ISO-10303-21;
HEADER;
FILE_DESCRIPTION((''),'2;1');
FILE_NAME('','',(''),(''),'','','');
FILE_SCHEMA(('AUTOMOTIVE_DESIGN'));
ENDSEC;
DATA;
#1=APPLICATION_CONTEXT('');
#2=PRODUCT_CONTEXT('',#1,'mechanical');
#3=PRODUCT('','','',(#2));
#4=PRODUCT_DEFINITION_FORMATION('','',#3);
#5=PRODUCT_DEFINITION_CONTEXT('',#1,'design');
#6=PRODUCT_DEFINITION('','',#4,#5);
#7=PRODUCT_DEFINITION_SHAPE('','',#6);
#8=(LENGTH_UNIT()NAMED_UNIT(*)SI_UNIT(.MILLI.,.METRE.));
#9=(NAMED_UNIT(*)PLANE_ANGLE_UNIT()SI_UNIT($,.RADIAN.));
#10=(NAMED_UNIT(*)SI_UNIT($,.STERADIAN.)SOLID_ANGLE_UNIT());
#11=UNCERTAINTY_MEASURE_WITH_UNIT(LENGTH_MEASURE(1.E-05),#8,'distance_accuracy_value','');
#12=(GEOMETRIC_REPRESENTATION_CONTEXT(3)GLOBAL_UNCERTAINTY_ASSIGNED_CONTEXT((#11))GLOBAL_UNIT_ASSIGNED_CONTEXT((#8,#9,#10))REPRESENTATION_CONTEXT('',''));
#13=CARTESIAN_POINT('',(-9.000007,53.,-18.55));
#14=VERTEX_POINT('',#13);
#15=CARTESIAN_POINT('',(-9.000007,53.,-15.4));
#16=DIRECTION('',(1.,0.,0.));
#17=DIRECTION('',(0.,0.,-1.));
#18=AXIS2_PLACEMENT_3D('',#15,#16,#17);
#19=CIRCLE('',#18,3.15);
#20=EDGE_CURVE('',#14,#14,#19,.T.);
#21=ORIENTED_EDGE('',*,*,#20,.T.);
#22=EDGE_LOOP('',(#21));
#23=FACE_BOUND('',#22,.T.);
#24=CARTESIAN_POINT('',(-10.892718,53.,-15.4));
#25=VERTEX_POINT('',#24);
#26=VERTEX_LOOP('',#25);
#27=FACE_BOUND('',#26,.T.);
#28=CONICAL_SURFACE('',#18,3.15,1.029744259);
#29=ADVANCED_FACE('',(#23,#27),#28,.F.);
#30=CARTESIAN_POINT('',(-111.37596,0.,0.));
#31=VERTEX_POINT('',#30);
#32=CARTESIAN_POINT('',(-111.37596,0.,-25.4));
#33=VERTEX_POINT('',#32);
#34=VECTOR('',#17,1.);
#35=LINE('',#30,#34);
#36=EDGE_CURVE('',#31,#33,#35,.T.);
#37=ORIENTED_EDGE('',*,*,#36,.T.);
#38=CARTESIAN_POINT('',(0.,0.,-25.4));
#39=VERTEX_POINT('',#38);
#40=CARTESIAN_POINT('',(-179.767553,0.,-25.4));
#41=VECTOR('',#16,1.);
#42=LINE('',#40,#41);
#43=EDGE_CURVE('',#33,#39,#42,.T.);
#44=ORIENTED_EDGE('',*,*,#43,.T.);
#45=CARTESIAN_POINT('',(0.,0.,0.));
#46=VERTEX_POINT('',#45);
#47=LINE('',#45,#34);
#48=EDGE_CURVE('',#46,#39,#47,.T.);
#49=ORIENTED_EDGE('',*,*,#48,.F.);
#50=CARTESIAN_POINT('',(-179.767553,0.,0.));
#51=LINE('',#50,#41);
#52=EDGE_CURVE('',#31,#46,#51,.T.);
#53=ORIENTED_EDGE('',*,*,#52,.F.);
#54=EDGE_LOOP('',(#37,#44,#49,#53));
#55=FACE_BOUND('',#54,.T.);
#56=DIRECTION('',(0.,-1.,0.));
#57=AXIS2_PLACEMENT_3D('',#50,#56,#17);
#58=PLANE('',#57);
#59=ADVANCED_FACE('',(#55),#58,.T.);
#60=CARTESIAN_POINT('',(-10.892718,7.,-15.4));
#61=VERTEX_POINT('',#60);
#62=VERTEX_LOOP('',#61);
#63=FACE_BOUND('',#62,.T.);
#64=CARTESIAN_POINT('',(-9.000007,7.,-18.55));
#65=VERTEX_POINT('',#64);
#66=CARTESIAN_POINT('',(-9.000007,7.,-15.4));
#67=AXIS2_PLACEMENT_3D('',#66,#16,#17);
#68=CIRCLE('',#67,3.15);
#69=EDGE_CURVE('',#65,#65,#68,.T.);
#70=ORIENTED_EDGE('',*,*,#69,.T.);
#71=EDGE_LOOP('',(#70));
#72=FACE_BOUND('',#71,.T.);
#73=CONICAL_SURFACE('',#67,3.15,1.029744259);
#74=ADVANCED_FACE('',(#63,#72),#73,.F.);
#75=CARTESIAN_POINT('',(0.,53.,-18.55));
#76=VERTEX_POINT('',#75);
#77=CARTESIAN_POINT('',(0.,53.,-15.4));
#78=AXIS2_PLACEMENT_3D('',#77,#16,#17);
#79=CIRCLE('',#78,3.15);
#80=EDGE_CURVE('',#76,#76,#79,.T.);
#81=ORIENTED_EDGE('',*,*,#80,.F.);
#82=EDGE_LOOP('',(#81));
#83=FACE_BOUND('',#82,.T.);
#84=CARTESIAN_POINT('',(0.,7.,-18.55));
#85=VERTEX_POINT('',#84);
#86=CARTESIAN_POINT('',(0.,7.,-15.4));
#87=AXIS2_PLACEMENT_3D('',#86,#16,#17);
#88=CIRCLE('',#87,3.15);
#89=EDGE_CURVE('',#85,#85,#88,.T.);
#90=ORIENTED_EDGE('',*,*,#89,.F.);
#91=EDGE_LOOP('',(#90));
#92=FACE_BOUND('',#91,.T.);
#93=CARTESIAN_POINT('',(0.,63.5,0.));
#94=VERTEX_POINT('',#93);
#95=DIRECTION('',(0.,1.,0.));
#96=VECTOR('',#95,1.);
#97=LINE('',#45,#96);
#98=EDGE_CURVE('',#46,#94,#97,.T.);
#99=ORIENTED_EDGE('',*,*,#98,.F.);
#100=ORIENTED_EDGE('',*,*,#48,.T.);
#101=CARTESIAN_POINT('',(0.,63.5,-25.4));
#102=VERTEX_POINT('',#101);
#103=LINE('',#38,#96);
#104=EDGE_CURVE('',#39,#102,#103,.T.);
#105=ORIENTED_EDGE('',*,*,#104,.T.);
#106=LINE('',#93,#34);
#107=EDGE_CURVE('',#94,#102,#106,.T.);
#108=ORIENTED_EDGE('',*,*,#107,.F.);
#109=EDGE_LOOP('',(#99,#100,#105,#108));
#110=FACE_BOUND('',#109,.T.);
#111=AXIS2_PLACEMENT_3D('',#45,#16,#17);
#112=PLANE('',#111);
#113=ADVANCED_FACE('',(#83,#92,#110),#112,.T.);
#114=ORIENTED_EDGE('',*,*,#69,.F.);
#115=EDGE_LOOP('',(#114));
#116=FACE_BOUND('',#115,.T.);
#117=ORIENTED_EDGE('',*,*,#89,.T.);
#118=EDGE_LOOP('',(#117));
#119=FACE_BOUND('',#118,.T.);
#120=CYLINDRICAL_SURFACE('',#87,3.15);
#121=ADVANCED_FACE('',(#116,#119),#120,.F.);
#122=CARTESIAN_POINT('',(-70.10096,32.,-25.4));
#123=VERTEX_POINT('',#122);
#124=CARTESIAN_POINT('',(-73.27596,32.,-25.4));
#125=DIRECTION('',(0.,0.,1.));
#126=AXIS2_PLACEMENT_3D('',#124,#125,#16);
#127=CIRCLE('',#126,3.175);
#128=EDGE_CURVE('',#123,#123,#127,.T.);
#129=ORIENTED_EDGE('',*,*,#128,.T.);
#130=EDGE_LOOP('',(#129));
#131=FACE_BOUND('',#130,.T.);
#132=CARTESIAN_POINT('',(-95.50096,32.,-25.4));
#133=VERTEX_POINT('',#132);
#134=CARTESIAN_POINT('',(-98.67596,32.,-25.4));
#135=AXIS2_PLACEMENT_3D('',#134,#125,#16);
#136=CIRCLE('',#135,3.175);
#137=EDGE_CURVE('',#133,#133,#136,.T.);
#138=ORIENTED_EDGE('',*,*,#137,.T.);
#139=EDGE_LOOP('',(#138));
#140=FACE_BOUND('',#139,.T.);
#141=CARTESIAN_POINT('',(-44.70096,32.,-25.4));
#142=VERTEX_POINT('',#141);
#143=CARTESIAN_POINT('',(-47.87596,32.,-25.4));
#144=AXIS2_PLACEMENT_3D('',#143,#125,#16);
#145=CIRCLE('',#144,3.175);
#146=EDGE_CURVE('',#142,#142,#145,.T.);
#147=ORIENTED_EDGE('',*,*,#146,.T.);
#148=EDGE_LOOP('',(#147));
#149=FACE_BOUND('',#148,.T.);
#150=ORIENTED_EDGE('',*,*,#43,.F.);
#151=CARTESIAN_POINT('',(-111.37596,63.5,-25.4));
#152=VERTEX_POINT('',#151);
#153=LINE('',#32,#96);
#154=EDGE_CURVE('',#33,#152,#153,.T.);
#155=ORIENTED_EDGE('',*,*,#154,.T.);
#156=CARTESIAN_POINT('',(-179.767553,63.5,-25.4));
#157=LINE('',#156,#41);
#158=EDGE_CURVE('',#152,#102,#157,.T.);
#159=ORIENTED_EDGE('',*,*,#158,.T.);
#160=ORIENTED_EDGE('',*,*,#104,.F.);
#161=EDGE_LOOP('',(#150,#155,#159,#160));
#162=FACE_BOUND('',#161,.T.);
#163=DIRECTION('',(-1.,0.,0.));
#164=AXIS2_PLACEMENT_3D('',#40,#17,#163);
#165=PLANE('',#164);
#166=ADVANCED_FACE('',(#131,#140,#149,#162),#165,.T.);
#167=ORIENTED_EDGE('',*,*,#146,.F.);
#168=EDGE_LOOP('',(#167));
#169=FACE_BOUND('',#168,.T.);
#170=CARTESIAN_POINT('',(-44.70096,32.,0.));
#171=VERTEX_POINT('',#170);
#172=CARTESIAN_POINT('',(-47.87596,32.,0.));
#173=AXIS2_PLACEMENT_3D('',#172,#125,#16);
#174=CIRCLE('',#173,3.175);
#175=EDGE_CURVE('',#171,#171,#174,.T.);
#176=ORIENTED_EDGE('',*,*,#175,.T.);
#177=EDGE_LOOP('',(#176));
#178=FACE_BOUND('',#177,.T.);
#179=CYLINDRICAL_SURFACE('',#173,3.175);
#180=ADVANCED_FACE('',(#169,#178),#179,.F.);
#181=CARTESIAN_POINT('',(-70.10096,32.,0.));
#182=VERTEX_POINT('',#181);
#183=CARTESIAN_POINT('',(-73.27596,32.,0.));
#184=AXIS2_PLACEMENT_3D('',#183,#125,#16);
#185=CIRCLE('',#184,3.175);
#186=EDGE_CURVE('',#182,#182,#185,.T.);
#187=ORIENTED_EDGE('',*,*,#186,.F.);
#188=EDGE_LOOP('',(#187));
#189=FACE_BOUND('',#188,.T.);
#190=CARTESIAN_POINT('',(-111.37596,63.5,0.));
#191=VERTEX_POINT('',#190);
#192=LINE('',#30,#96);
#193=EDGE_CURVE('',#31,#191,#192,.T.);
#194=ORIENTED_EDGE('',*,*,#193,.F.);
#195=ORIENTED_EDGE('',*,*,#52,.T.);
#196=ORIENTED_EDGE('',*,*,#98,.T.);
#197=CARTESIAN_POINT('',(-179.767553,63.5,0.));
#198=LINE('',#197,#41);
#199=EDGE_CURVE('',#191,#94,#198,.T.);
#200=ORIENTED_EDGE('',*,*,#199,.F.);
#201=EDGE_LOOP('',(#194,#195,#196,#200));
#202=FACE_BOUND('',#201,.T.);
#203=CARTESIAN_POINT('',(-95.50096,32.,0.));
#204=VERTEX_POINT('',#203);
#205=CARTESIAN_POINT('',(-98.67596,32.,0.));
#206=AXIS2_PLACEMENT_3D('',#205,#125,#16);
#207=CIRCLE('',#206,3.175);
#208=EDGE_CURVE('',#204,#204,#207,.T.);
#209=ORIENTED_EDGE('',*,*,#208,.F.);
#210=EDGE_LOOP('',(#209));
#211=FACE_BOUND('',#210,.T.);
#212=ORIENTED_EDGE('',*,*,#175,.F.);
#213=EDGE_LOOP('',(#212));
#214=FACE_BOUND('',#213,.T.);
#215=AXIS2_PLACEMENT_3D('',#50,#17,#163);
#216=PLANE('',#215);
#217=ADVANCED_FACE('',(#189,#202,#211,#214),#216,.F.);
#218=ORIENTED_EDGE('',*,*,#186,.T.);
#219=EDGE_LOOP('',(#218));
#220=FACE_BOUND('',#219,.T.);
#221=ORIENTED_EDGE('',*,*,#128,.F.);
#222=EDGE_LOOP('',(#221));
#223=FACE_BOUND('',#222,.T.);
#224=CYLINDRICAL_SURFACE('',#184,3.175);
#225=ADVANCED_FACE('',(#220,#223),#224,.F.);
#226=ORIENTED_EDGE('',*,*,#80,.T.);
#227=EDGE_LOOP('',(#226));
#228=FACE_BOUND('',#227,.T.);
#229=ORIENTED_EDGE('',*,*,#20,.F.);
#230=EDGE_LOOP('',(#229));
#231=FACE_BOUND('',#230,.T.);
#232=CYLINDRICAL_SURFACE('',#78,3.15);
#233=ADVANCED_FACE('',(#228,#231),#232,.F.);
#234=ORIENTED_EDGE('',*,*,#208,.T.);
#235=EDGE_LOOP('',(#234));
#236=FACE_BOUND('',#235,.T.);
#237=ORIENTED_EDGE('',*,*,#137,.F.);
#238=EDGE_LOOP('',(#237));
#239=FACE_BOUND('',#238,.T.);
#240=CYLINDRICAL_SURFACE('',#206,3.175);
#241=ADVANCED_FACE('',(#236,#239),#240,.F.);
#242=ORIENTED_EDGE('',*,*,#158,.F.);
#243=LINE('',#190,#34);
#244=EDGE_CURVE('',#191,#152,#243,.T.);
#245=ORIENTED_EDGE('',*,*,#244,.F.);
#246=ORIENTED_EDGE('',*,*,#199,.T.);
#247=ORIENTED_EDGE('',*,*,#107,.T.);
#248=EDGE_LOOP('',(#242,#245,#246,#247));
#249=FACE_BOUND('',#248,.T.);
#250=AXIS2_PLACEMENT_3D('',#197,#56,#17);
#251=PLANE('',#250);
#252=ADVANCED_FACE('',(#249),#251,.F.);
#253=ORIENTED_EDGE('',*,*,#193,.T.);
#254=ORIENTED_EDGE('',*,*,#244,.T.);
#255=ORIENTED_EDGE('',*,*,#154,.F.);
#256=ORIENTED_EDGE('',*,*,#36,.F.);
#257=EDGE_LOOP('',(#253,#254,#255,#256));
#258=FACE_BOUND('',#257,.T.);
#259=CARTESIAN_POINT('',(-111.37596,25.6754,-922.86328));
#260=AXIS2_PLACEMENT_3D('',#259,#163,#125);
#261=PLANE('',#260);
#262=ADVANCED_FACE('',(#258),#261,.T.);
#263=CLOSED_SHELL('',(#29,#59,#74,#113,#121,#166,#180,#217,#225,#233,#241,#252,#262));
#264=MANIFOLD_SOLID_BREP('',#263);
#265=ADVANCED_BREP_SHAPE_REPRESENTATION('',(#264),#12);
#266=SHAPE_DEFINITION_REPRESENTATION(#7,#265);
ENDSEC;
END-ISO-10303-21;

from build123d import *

# Parameters (mm, degrees)
SKETCH1_W                   = 25.4
SKETCH1_H                   = 63.5
BOSS_EXTRUDE1_DEPTH         = 111.37596
F_1_4_0_25_DIAMETER_HOLE1_D = 6.35
F_6_0MM_DOWEL_HOLE1_D       = 6.3
F_6_0MM_DOWEL_HOLE1_DEPTH   = 9.0000074
F_6_0MM_DOWEL_HOLE1_TIP     = 1.89271095


with BuildPart() as part:
    # Sketch1 → Boss-Extrude1 (new body)
    with BuildSketch(Plane(origin=(0, 0, 0), x_dir=(0, 0, -1), z_dir=(1, 0, 0))):
        with Locations((12.7, 31.75)):
            Rectangle(SKETCH1_W, SKETCH1_H)
    extrude(amount=-BOSS_EXTRUDE1_DEPTH)

    # 1/4 (0.25) Diameter Hole1 (through all)
    with Locations(Plane.XY):
        with Locations((-98.67596, 32), (-47.87596, 32), (-73.27596, 32)):
            Hole(F_1_4_0_25_DIAMETER_HOLE1_D / 2)

    # Ø6.0mm Dowel Hole1
    with Locations(Plane(origin=(0, 0, 0), x_dir=(0, 0, -1), z_dir=(1, 0, 0))):
        with Locations((15.4, 7), (15.4, 53)):
            Hole(F_6_0MM_DOWEL_HOLE1_D / 2, depth=F_6_0MM_DOWEL_HOLE1_DEPTH)
            with Locations((0, 0, -(F_6_0MM_DOWEL_HOLE1_DEPTH + F_6_0MM_DOWEL_HOLE1_TIP / 2))):  # 118° drill point
                Cone(0, F_6_0MM_DOWEL_HOLE1_D / 2, F_6_0MM_DOWEL_HOLE1_TIP, mode=Mode.SUBTRACT)


solid = part.part
